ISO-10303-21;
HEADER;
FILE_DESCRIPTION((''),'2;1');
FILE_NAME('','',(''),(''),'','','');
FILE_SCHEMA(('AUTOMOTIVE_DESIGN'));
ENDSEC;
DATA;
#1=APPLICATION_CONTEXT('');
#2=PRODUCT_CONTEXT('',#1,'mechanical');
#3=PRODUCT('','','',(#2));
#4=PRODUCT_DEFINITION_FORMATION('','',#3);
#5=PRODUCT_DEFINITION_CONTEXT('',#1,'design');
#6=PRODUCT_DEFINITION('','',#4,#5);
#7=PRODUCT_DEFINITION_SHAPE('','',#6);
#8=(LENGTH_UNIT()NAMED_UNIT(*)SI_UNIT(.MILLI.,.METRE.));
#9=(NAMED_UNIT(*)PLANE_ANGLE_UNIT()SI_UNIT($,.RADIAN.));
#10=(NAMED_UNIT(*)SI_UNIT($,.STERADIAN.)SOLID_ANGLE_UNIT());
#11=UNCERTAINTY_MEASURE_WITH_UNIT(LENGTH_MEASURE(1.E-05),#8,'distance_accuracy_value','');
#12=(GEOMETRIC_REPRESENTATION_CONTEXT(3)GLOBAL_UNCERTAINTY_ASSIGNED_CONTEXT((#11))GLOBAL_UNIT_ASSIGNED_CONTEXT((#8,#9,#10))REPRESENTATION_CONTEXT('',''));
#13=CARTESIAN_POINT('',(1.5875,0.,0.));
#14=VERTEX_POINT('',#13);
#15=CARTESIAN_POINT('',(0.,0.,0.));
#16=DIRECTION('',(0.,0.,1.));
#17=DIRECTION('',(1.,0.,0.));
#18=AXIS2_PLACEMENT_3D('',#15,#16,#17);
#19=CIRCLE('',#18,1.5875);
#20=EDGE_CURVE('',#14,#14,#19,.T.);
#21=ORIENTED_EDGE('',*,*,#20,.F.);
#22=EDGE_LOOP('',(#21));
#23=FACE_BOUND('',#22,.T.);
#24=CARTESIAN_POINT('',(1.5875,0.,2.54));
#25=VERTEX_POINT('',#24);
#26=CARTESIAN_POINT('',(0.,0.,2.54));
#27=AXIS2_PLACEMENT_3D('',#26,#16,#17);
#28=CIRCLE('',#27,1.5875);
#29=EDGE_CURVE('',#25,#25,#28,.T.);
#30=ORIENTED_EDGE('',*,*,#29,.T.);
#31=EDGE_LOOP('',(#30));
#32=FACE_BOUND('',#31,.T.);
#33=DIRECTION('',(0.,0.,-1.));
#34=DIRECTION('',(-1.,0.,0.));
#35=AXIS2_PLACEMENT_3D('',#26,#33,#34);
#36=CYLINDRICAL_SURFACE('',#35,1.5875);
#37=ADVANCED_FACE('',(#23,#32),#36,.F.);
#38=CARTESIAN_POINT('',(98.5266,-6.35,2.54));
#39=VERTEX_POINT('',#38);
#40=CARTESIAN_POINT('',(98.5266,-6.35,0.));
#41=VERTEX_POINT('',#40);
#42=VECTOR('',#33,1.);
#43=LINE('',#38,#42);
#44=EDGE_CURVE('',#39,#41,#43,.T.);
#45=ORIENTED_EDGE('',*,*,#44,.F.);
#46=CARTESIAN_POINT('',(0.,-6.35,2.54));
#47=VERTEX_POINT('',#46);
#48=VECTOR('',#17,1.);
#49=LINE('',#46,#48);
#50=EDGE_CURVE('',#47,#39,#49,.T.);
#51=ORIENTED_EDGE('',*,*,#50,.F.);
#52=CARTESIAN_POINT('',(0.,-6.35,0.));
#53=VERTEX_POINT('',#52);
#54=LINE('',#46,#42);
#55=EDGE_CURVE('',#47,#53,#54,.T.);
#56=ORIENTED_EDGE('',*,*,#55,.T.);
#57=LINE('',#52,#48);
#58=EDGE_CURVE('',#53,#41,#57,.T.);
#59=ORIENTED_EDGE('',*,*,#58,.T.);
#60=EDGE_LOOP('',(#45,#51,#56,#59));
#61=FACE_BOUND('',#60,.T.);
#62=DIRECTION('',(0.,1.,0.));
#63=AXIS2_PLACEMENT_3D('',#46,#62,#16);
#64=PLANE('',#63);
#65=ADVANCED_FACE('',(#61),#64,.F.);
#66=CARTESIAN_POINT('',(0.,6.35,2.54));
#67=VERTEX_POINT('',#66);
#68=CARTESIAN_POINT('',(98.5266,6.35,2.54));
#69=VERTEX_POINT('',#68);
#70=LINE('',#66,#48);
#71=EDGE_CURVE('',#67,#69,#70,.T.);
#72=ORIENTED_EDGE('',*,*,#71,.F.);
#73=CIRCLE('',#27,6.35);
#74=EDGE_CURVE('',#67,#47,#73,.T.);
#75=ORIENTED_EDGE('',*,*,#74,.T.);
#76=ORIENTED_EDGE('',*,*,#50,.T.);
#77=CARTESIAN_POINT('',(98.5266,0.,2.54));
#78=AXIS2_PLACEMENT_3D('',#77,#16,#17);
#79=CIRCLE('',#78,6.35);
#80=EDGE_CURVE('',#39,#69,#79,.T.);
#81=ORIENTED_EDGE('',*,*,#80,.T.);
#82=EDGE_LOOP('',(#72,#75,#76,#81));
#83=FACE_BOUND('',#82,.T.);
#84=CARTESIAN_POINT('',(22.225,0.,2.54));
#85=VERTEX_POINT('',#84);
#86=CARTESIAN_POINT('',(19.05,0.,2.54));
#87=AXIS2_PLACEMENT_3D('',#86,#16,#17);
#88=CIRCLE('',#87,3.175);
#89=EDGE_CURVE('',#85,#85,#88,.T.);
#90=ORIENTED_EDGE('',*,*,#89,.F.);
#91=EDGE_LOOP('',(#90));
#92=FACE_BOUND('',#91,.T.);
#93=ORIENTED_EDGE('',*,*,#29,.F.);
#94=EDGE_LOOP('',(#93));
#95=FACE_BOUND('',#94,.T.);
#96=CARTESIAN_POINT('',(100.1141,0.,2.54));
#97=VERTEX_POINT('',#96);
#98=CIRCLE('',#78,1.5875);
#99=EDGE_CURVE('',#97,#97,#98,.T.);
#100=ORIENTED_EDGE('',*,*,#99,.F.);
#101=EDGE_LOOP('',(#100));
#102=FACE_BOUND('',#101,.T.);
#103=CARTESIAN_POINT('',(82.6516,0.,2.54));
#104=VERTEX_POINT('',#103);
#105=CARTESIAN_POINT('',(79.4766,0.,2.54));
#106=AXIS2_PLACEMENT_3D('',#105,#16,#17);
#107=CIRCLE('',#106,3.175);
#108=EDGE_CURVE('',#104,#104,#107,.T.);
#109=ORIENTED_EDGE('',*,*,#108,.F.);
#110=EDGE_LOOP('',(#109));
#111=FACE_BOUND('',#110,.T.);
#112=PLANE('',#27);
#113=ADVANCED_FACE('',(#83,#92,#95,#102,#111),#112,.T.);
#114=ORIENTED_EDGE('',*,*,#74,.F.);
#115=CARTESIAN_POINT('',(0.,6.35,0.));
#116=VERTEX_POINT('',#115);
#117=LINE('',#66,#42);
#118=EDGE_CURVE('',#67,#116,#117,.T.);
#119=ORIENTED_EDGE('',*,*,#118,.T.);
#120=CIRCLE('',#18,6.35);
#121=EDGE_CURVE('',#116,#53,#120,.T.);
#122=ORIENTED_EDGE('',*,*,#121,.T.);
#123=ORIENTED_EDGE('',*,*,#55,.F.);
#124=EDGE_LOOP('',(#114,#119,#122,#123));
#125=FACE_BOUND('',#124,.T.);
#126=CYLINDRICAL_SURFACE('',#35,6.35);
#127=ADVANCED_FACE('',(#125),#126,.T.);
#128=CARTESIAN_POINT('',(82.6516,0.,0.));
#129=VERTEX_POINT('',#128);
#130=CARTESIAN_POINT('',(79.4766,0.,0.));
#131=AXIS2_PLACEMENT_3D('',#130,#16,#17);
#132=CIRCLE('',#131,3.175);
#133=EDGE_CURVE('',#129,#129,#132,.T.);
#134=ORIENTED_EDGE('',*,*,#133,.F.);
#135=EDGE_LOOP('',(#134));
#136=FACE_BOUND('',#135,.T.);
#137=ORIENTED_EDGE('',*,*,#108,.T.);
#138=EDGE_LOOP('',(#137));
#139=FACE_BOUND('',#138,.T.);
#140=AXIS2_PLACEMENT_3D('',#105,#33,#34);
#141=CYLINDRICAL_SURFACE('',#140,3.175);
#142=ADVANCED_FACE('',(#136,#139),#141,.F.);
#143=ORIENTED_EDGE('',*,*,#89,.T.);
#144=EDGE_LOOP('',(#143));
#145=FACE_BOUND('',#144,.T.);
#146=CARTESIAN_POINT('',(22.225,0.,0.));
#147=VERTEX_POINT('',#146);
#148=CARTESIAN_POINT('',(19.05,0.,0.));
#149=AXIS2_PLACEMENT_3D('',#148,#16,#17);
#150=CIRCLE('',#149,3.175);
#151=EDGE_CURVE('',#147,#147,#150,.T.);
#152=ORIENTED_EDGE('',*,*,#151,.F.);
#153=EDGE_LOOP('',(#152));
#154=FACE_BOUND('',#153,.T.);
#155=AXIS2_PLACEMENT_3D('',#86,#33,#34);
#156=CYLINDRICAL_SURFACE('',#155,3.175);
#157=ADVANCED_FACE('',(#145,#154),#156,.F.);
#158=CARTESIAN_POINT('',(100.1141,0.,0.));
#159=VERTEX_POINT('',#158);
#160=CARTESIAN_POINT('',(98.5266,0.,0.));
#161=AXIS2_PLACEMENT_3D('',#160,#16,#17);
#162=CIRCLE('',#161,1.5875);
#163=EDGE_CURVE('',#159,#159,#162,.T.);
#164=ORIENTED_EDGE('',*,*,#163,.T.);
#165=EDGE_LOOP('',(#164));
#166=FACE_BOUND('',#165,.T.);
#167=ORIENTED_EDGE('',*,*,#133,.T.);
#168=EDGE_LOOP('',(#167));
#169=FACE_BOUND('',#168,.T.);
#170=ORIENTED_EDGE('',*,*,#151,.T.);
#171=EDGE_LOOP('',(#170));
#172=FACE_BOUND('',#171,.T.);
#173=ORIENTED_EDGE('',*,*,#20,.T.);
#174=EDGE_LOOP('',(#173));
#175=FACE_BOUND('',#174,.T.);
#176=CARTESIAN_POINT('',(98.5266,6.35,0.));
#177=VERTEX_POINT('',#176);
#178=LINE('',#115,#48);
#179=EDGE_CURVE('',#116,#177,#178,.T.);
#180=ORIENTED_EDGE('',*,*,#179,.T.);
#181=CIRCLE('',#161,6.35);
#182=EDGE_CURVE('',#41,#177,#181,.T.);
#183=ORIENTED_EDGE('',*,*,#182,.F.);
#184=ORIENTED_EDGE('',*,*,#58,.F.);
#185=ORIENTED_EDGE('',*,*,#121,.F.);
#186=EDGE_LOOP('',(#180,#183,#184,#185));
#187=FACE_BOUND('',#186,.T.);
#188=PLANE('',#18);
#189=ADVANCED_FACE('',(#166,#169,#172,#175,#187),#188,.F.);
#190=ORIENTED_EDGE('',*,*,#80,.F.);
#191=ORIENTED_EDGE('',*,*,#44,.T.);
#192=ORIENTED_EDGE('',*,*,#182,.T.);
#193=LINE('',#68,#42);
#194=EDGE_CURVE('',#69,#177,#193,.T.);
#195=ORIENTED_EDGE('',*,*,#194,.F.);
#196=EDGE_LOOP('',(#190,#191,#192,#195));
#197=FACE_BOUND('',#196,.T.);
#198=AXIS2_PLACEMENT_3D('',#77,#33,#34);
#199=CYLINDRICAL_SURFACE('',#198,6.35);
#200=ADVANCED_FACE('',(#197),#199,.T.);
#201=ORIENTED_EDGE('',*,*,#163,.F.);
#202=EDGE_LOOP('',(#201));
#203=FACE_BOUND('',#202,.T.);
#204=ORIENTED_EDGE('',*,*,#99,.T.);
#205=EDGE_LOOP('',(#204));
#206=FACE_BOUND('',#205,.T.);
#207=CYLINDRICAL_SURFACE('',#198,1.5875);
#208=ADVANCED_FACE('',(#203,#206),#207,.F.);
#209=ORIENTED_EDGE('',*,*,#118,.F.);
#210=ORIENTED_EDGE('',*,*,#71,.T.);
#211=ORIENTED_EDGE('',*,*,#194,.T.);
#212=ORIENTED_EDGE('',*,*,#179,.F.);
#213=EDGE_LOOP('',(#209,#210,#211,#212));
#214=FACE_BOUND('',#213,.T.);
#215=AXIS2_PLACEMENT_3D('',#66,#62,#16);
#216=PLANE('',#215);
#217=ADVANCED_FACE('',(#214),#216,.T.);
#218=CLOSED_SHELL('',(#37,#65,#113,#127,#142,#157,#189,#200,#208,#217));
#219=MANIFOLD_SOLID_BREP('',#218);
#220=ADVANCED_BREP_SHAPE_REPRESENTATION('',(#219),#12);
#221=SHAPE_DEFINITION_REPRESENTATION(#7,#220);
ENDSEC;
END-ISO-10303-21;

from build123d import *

# Parameters (mm, degrees)
SKETCH1_R           = 6.35
SKETCH1_R_2         = 1.5875
SKETCH1_R_3         = 3.175
BOSS_EXTRUDE1_DEPTH = 2.54


with BuildPart() as part:
    # Sketch1 → Boss-Extrude1 (new body)
    # profile 1 of 3: a face of its own
    with BuildSketch(Plane.XY):
        Circle(SKETCH1_R)
        Circle(SKETCH1_R_2, mode=Mode.SUBTRACT)
    # profile 2 of 3: a face of its own
    with BuildSketch(Plane.XY):
        with BuildLine():
            Line((98.5266, 6.35), (0, 6.35))
            ThreePointArc((0, 6.35), (4.490128061, 4.490128061), (6.35, 0))
            ThreePointArc((6.35, 0), (4.490128061, -4.490128061), (0, -6.35))
            Line((0, -6.35), (98.5266, -6.35))
            ThreePointArc((98.5266, -6.35), (92.1766, 0), (98.5266, 6.35))
        make_face()
        with Locations((19.05, 0)):
            Circle(SKETCH1_R_3, mode=Mode.SUBTRACT)
        with Locations((79.4766, 0)):
            Circle(SKETCH1_R_3, mode=Mode.SUBTRACT)
    # profile 3 of 3: a face of its own
    with BuildSketch(Plane.XY):
        with Locations((98.5266, 0)):
            Circle(SKETCH1_R)
        with Locations((98.5266, 0)):
            Circle(SKETCH1_R_2, mode=Mode.SUBTRACT)
    extrude(amount=BOSS_EXTRUDE1_DEPTH)


solid = part.part
